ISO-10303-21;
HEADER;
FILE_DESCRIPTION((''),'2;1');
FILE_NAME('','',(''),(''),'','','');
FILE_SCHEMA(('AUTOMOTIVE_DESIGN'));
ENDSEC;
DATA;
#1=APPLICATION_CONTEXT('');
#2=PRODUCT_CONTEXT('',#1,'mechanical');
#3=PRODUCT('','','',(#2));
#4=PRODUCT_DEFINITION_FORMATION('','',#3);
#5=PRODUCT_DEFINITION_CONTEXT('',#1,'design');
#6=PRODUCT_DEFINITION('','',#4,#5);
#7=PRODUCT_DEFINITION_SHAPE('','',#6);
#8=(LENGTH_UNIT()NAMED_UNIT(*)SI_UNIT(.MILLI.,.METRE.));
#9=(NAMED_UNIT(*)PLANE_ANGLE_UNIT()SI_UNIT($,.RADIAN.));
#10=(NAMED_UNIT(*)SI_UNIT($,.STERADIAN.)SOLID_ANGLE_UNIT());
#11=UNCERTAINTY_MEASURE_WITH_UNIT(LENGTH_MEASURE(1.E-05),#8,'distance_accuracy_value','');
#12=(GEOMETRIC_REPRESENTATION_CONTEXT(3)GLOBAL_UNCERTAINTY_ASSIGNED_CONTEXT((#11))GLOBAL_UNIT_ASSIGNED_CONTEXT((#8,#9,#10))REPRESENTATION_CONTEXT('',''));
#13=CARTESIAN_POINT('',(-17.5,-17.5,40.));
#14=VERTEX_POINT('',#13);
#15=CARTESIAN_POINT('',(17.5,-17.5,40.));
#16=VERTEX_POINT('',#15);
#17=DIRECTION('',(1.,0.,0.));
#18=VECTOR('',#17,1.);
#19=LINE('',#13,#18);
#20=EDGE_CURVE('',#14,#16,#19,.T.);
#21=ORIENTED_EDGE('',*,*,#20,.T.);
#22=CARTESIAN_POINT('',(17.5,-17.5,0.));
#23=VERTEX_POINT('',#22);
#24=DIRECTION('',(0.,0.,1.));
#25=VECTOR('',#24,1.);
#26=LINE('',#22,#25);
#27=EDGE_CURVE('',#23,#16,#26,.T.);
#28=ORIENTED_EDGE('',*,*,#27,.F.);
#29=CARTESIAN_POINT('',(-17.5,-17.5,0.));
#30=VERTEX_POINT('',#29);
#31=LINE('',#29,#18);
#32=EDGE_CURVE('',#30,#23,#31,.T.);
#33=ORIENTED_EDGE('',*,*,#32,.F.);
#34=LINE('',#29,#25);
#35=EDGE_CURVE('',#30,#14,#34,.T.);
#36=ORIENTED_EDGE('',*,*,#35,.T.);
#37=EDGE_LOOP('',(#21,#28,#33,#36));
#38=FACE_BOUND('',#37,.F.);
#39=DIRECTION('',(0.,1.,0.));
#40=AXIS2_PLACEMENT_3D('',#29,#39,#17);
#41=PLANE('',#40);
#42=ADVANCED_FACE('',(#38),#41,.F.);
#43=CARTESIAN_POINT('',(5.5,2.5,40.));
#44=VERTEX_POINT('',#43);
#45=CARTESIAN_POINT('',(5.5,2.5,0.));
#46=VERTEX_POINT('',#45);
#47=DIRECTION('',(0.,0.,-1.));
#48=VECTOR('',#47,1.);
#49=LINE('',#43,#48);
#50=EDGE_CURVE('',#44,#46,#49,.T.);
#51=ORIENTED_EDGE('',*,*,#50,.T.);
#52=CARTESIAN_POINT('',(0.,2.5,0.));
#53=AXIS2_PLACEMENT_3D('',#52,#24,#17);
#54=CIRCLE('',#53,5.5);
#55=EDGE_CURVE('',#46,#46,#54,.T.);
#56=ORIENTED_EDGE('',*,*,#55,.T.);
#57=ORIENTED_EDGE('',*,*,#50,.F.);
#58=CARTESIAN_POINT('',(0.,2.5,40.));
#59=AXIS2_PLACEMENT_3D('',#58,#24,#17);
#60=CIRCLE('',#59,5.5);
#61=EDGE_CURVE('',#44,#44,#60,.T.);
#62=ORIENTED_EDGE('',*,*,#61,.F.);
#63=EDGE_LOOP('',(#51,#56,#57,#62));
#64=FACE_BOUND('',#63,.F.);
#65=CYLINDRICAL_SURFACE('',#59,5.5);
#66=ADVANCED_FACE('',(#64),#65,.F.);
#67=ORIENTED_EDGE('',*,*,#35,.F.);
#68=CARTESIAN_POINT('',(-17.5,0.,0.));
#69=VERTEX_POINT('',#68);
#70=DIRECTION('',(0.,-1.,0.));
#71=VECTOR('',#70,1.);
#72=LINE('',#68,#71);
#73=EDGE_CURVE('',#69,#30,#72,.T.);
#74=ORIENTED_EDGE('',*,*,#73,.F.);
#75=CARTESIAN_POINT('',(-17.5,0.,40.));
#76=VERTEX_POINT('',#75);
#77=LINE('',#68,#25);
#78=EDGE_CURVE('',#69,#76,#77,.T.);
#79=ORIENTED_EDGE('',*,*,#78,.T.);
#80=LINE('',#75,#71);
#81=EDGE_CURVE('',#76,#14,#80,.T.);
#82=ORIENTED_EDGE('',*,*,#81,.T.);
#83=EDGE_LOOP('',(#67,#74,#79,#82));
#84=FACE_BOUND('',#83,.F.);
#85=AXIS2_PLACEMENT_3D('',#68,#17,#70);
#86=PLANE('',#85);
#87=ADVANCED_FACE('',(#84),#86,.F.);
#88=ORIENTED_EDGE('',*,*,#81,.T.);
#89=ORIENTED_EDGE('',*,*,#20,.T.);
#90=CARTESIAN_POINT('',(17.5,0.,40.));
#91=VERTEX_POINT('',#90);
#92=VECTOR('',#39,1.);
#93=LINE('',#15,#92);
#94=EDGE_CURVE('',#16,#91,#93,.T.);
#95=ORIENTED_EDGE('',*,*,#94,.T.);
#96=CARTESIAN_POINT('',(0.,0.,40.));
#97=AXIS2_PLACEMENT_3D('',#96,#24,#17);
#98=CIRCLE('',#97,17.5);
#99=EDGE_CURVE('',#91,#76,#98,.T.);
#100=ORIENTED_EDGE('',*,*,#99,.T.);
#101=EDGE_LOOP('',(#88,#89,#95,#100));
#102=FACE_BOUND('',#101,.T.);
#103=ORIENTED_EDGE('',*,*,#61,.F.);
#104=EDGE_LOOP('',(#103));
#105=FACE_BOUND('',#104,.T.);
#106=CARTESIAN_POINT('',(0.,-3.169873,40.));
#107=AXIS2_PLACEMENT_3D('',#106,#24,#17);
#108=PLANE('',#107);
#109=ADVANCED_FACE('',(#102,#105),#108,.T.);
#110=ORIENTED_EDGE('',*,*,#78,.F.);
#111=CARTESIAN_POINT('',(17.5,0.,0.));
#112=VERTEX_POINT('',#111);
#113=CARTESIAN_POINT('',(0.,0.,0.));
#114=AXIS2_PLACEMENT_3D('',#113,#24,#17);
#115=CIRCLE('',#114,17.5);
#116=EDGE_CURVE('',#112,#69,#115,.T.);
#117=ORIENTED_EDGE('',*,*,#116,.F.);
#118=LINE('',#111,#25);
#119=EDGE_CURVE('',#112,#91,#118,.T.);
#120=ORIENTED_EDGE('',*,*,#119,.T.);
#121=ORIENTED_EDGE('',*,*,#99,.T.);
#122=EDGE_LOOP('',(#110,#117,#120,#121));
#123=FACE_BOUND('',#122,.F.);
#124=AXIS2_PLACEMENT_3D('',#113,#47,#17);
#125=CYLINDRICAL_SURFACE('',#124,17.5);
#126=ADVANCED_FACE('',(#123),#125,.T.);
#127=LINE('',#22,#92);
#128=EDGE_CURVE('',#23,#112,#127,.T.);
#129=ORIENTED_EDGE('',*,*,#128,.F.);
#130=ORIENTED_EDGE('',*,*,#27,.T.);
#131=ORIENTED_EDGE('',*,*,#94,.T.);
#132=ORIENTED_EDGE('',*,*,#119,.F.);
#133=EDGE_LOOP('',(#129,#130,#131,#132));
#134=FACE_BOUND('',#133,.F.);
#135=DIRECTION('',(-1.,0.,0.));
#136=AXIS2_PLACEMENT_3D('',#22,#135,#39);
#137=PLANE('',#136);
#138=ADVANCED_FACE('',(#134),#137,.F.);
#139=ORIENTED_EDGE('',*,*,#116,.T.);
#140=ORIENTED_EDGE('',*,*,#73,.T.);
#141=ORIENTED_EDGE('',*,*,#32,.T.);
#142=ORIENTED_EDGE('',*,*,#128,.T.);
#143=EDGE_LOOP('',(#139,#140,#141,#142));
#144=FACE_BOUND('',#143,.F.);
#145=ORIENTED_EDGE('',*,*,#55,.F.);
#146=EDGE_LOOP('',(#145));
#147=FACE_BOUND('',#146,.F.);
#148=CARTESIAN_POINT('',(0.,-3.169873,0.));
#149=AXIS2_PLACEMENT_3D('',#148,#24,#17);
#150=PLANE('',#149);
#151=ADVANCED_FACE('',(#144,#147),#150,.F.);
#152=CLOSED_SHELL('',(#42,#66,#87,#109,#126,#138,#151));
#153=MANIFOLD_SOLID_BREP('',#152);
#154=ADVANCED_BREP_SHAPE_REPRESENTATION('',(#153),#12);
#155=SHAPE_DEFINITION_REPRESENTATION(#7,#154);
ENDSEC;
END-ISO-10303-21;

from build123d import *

# Parameters (mm, degrees)
PAD_DEPTH   = 40
SKETCH001_R = 5.5
HOLE_DEPTH  = 40.001


with BuildPart() as part:
    # Sketch → Pad (new body)
    with BuildSketch(Plane.XY):
        with BuildLine():
            Line((-17.5, 0), (-17.5, -17.5))
            Line((-17.5, -17.5), (17.5, -17.5))
            Line((17.5, -17.5), (17.5, 0))
            ThreePointArc((17.5, 0), (0, 17.5), (-17.5, 0))
        make_face()
    extrude(amount=PAD_DEPTH)

    # Sketch001 (on Face6 of Pad) → Hole (cut, through all)
    with BuildSketch(Plane.XY.offset(40)):
        with Locations((0, 2.5)):
            Circle(SKETCH001_R)
    extrude(amount=-HOLE_DEPTH, mode=Mode.SUBTRACT)


solid = part.part
